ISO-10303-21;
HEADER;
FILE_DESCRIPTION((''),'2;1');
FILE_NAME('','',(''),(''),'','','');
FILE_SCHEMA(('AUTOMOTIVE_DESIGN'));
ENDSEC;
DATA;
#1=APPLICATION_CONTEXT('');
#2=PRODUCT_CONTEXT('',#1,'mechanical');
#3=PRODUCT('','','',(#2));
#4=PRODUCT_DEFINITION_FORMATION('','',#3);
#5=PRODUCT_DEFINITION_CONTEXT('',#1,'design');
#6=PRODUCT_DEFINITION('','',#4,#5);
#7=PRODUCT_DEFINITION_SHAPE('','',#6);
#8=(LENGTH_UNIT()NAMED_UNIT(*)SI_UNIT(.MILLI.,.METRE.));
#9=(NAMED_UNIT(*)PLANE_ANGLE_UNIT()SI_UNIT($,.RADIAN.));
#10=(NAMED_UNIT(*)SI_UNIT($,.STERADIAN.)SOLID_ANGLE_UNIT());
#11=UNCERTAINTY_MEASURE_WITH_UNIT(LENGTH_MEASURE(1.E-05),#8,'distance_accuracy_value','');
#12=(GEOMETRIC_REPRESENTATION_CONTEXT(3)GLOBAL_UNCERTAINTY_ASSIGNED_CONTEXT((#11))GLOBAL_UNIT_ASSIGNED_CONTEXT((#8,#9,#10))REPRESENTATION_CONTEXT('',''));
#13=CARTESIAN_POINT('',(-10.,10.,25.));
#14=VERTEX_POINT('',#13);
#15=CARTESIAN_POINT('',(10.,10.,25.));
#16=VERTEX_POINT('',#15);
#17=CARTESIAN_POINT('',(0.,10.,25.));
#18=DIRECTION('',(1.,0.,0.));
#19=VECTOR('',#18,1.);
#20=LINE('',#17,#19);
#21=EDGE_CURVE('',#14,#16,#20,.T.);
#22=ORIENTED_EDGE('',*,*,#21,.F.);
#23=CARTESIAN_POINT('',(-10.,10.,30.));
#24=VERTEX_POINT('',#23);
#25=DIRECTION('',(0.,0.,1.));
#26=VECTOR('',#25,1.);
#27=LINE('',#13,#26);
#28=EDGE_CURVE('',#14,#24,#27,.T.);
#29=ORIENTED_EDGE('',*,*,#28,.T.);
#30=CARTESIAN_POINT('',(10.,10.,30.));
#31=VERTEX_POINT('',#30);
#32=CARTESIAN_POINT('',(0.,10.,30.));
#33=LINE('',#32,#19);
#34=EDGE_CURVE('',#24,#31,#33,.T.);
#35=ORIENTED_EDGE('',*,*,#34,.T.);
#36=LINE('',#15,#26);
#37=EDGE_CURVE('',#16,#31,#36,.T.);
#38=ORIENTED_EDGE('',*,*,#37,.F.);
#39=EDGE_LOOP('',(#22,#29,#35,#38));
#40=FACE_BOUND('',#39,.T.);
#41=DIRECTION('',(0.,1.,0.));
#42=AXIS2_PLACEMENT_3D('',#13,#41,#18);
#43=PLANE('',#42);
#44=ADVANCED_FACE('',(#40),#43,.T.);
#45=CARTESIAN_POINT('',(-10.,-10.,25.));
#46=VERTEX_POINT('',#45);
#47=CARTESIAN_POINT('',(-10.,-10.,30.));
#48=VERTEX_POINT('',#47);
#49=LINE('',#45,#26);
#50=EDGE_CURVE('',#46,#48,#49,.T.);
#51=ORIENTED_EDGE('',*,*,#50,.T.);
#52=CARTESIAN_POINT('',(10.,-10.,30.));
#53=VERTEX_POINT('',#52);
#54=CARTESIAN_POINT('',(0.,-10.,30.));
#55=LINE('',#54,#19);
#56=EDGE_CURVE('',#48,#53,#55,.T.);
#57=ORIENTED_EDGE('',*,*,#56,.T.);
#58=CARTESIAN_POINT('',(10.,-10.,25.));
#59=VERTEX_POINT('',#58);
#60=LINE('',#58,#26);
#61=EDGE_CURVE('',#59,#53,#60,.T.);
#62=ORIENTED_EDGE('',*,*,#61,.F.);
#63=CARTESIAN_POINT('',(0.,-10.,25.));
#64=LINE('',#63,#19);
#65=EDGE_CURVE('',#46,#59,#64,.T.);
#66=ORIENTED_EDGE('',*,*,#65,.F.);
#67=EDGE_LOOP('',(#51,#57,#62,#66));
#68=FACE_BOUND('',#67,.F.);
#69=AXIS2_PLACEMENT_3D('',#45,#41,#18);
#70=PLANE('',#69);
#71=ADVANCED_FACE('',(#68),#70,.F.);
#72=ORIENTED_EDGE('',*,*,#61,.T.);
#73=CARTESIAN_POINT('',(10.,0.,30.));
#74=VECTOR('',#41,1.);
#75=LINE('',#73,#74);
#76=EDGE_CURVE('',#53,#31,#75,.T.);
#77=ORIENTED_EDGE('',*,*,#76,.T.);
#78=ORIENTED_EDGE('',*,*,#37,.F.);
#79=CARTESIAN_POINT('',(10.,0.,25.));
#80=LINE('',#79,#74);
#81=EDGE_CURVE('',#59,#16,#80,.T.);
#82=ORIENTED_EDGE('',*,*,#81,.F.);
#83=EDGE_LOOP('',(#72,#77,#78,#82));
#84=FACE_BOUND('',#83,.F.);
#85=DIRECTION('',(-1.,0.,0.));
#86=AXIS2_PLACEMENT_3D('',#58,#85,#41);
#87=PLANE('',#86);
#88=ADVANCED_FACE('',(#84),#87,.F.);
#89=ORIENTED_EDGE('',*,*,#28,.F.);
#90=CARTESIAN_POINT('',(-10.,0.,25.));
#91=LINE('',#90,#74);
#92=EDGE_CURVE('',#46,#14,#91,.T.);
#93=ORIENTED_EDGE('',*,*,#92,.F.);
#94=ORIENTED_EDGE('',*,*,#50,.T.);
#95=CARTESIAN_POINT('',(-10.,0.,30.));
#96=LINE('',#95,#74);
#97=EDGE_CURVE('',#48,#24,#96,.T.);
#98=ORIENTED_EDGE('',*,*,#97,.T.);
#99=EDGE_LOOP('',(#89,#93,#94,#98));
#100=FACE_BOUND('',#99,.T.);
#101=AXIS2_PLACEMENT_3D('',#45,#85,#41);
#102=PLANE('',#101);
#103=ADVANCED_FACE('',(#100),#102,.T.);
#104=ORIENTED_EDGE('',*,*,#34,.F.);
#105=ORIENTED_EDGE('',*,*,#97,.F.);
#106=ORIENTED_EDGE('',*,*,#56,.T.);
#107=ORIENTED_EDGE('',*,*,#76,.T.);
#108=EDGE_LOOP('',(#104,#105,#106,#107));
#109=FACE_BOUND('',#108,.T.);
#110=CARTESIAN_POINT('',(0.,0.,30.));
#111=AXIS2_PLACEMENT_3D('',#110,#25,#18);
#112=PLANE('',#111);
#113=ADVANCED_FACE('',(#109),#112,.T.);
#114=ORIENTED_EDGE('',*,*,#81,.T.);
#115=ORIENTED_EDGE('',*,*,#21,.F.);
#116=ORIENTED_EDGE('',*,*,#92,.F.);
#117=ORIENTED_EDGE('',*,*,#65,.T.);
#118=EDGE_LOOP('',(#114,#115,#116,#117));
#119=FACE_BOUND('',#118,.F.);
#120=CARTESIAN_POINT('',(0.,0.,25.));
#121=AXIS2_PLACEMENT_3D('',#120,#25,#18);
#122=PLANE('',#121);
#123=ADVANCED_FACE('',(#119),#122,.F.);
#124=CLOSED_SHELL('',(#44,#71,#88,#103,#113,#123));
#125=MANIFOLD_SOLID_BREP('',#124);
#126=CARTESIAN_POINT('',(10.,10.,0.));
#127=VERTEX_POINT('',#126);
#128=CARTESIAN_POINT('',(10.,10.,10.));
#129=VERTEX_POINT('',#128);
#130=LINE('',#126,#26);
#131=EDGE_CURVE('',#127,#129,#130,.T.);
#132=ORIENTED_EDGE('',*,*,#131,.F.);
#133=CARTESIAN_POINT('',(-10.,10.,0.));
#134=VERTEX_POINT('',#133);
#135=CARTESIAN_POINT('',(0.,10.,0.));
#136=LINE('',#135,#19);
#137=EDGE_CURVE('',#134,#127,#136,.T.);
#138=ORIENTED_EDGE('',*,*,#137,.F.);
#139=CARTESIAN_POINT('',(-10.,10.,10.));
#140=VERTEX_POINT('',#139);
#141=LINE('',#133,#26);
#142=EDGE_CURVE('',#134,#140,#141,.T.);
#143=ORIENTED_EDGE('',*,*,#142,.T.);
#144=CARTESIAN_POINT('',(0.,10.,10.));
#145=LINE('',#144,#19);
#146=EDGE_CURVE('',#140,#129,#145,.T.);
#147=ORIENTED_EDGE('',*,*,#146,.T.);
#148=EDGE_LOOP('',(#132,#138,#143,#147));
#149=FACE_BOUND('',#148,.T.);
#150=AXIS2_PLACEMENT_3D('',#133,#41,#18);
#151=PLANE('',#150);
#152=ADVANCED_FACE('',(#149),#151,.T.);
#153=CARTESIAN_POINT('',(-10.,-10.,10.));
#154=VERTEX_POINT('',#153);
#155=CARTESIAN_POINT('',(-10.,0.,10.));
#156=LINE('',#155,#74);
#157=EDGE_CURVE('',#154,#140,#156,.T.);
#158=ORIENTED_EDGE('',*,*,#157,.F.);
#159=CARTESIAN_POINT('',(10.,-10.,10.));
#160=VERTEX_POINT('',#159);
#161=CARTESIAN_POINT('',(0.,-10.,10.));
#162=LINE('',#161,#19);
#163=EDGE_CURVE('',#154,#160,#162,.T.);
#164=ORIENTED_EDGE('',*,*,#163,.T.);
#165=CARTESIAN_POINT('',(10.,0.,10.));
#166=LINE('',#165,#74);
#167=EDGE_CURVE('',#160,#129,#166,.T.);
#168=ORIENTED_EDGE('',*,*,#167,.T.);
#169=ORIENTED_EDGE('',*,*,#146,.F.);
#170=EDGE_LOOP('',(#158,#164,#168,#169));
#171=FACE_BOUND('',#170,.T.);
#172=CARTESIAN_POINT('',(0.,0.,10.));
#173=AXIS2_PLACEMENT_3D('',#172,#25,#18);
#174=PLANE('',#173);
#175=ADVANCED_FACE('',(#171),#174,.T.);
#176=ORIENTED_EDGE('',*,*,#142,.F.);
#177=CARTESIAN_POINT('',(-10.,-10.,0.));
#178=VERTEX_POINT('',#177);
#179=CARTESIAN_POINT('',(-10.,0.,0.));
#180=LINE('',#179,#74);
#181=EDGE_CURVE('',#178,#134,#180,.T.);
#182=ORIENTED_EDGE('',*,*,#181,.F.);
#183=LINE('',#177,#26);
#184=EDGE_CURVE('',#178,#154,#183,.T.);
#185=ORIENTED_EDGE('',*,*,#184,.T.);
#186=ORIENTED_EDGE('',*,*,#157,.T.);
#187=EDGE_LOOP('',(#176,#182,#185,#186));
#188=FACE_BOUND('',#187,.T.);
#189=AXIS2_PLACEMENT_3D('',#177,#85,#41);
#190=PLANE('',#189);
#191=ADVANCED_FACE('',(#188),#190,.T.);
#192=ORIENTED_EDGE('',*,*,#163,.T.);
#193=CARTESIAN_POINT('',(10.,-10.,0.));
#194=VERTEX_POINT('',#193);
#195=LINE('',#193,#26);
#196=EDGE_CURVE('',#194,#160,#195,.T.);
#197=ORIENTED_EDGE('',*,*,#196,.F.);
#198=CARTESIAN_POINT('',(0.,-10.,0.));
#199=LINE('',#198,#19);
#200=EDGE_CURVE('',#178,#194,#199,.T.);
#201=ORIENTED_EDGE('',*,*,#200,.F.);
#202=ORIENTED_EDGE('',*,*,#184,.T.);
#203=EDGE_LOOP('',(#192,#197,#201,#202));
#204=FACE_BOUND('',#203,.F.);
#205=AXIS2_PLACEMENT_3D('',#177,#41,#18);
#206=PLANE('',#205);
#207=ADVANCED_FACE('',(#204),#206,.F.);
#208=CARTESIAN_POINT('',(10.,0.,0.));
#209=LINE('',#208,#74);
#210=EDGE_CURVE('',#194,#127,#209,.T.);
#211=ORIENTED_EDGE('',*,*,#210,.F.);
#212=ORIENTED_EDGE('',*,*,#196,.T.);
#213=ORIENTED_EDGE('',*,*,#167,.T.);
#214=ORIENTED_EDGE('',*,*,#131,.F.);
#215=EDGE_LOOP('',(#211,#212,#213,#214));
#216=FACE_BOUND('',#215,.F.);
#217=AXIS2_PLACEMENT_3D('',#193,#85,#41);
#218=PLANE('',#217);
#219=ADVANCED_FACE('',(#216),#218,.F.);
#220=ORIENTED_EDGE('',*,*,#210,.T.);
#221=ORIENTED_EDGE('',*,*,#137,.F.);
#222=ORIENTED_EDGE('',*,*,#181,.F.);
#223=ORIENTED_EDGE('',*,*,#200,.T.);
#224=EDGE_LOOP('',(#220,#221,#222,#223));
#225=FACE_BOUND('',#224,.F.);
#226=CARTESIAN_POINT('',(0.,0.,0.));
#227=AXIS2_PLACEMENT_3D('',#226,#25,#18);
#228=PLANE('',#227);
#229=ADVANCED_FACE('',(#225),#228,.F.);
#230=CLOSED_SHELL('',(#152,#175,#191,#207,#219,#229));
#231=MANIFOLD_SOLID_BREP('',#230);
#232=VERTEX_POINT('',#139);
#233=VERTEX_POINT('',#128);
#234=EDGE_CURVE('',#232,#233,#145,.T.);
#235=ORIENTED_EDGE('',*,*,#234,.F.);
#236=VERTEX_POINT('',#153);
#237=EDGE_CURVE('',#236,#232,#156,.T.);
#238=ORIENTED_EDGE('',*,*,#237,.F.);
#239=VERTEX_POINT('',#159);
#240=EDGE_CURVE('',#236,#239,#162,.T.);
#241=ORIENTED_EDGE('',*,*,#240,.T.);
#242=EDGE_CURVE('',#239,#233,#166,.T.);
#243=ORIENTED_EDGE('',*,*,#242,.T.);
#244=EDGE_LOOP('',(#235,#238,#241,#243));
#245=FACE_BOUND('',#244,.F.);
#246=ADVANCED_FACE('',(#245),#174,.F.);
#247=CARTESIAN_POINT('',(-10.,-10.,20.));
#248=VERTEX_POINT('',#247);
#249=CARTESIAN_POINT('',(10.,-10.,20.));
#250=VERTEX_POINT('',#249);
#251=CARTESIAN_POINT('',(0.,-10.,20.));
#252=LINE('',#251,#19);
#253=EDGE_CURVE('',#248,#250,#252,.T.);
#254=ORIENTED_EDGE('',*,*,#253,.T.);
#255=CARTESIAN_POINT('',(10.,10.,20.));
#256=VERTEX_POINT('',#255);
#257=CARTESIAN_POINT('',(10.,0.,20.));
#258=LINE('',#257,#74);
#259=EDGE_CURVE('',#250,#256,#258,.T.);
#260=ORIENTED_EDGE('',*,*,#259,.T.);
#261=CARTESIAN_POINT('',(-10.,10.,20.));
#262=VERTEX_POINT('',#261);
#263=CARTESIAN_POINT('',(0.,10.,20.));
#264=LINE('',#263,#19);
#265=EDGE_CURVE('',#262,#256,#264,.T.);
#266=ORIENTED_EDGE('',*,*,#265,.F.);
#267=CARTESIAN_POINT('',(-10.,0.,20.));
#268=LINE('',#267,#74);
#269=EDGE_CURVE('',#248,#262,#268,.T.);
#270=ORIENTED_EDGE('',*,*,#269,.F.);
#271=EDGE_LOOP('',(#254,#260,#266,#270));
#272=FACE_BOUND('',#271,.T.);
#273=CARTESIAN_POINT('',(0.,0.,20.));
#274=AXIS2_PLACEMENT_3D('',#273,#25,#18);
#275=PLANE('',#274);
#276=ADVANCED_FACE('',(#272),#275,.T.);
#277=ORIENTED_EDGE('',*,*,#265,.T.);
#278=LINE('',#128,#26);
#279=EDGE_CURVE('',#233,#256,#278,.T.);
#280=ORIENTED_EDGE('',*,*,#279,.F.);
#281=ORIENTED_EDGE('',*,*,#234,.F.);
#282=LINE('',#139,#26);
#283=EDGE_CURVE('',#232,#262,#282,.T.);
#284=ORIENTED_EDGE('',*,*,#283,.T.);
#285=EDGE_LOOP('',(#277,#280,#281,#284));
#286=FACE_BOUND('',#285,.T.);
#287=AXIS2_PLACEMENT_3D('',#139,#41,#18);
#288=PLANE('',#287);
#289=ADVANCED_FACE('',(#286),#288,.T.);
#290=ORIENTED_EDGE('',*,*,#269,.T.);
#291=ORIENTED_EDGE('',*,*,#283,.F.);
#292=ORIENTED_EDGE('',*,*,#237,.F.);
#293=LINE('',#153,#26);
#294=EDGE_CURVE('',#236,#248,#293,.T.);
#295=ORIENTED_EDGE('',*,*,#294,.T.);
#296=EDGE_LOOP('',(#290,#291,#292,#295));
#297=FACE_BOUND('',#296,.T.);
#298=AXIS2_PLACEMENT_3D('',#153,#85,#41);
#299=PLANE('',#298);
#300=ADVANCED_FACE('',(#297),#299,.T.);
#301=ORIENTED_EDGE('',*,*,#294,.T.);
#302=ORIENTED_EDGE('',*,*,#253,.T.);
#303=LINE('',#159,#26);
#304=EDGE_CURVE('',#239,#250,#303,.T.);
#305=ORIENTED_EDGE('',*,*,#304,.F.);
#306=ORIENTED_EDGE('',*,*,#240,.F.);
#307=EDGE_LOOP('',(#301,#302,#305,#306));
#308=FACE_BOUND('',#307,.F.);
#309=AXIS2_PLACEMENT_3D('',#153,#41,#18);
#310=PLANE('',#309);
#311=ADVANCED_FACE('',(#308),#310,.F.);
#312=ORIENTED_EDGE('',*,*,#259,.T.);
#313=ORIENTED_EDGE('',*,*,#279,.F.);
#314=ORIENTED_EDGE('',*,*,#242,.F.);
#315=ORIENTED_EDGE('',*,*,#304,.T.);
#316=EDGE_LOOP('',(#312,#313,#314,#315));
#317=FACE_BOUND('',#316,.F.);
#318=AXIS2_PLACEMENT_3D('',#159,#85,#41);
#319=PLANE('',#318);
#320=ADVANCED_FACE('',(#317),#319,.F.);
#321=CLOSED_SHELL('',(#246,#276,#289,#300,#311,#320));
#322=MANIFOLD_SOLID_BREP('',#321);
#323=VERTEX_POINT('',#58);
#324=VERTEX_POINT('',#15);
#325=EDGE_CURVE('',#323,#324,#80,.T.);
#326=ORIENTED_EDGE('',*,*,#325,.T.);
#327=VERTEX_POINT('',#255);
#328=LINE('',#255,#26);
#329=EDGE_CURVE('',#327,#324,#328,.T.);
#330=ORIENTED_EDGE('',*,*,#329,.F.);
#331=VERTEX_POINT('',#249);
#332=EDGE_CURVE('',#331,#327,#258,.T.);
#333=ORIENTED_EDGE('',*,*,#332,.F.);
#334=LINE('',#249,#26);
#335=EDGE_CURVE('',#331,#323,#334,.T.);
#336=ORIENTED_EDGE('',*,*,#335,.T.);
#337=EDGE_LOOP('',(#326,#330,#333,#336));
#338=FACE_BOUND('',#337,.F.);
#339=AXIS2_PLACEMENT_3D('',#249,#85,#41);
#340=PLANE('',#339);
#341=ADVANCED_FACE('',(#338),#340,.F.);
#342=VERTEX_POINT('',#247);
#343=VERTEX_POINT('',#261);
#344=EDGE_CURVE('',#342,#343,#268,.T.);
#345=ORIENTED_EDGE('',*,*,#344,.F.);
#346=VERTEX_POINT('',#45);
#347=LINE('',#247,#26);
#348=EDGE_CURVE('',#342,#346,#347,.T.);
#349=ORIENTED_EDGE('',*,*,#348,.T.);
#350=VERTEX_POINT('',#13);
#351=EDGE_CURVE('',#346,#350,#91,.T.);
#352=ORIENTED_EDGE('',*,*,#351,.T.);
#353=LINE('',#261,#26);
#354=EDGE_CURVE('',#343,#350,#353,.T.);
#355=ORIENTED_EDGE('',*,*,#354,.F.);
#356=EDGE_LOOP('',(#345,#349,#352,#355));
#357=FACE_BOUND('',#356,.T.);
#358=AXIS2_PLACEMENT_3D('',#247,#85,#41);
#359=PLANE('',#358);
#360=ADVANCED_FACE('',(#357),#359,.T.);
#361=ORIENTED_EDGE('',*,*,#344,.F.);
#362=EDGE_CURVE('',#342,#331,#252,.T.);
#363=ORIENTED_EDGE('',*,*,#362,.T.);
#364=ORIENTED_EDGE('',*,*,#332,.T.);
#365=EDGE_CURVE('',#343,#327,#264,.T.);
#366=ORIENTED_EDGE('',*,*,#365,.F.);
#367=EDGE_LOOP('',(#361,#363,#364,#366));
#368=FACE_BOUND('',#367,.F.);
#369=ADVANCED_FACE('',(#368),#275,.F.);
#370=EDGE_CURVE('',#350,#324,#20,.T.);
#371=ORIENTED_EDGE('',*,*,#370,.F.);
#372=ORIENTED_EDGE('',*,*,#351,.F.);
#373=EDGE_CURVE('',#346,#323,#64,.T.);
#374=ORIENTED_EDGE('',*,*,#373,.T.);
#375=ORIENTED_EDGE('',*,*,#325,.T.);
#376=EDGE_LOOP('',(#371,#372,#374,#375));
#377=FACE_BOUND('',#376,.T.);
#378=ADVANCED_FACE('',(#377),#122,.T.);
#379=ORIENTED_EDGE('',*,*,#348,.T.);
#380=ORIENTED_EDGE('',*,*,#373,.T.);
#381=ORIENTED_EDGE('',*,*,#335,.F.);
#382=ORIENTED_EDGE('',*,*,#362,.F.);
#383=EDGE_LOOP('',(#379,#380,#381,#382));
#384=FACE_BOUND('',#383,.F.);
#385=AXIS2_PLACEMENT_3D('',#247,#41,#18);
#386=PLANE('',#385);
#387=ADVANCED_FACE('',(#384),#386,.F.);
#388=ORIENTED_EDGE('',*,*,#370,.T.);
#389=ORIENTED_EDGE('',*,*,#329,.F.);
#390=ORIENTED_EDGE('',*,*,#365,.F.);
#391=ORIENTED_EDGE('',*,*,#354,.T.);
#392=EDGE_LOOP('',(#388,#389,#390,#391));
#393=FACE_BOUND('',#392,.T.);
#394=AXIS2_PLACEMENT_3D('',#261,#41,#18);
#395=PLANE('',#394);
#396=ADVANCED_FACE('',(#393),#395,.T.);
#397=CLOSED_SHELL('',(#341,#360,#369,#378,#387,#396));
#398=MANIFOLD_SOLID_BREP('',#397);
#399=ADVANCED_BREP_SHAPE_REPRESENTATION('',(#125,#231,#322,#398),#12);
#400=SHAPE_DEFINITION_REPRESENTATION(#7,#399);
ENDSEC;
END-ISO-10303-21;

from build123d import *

# Parameters (mm, degrees)
F0_W     = 20
F0_H     = 20
F1_DEPTH = 10
F2_DEPTH = 10
F3_DEPTH = 5
F4_DEPTH = 5


with BuildPart() as f1:
    # F0 (on Top) → F1 (new body)
    with BuildSketch(Plane.XY):
        Rectangle(F0_W, F0_H)
    extrude(amount=F1_DEPTH)


with BuildPart() as f2:
    # F2 (new): a face of the model
    f2_faces = [f1.part.faces().sort_by_distance(p)[0] for p in [
        (0, 0, 10),
    ]]
    extrude(f2_faces, amount=F2_DEPTH)


with BuildPart() as f3:
    # F3 (new): a face of the model
    f3_faces = [f2.part.faces().sort_by_distance(p)[0] for p in [
        (0, 0, 20),
    ]]
    extrude(f3_faces, amount=F3_DEPTH)


with BuildPart() as f4:
    # F4 (new): a face of the model
    f4_faces = [f3.part.faces().sort_by_distance(p)[0] for p in [
        (0, 0, 25),
    ]]
    extrude(f4_faces, amount=F4_DEPTH)


solid = Compound([f1.part, f2.part, f3.part, f4.part])
